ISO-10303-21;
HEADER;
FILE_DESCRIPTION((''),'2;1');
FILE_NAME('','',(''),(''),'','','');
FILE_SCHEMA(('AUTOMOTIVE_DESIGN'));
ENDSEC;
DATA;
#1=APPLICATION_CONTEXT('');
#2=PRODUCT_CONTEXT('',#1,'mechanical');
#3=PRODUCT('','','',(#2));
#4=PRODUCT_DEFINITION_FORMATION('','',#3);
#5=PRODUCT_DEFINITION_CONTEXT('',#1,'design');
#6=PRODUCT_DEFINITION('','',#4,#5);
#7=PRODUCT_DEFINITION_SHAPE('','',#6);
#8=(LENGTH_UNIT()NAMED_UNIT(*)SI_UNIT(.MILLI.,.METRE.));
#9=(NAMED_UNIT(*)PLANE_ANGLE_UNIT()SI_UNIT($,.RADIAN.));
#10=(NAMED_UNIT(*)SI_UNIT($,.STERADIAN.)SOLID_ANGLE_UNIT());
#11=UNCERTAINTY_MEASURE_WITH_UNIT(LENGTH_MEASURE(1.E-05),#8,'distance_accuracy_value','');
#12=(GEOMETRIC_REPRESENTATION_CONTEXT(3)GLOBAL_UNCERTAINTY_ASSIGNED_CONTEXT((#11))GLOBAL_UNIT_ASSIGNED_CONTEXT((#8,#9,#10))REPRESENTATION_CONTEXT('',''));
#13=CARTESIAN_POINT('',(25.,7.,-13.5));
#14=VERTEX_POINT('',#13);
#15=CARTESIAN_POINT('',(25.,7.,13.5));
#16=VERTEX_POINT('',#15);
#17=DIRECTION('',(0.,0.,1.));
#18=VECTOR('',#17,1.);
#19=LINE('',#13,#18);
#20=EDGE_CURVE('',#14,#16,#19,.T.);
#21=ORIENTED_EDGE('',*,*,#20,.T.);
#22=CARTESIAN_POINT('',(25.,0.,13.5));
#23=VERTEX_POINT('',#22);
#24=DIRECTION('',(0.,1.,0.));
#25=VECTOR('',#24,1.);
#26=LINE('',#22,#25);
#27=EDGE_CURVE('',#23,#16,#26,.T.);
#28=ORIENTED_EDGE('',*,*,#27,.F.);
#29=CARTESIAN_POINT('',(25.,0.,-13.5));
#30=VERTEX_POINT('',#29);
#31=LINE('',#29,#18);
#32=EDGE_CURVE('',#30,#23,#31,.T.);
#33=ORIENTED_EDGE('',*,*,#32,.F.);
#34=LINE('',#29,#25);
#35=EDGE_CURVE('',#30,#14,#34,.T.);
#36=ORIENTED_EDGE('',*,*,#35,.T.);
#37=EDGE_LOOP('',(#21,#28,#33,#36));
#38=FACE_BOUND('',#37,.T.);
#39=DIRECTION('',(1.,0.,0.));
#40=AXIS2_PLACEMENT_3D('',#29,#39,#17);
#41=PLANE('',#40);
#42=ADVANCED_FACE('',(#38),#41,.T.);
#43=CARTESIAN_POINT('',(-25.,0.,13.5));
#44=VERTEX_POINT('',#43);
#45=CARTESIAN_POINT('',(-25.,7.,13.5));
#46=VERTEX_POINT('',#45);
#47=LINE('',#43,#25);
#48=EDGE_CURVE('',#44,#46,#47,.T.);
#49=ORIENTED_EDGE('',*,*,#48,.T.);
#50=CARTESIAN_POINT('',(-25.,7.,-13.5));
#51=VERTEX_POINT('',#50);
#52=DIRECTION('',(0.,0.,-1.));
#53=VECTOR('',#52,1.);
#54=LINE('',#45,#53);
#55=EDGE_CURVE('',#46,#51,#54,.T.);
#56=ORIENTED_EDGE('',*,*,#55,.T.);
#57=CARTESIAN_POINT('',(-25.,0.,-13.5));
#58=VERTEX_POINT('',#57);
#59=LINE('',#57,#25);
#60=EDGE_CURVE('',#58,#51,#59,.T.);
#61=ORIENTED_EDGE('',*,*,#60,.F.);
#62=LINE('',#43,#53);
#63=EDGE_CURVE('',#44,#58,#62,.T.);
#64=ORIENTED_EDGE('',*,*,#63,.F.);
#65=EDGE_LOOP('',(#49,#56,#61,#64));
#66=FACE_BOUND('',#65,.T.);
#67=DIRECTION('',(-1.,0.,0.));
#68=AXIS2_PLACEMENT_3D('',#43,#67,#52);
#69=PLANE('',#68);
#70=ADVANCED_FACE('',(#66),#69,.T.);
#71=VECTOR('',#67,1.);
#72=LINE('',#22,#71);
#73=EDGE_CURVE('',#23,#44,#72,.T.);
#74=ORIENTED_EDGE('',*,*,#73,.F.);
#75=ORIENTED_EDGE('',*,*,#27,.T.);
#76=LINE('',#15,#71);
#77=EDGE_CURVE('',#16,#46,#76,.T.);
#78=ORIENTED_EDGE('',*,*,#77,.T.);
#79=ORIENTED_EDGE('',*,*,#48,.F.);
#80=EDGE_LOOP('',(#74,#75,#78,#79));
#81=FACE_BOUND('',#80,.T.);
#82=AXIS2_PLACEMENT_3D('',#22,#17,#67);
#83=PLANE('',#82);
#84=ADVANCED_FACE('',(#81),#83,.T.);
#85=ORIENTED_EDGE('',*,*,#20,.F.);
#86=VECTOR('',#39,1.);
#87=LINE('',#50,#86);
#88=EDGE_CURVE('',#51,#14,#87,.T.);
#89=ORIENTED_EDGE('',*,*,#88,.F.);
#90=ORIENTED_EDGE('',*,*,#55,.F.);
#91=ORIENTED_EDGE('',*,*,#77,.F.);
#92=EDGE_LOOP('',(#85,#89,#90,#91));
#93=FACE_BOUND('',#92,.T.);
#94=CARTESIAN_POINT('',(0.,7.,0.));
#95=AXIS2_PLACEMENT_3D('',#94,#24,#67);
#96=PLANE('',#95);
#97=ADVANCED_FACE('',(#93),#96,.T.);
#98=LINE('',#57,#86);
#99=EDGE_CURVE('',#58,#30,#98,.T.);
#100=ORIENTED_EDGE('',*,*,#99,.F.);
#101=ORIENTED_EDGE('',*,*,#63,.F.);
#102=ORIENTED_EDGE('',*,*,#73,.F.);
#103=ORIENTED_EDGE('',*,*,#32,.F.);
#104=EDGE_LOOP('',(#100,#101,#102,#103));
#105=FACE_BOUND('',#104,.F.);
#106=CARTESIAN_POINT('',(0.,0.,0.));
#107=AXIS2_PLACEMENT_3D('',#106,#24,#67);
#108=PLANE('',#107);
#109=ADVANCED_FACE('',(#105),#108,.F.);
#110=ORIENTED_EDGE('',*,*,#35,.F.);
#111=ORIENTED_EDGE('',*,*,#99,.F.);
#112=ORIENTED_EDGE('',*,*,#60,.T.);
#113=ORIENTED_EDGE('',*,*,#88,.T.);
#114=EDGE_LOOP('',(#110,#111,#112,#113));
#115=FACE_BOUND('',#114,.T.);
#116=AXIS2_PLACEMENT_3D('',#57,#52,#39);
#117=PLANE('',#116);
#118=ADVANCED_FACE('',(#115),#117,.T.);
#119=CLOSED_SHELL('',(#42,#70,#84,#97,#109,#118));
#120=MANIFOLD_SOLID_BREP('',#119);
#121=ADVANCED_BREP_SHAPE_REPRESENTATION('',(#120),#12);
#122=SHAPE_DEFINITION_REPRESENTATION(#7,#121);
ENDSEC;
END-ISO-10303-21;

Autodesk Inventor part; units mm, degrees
ref_plane "YZ Plane" through (0, 0, 0) normal (1, 0, 0) x (0, 1, 0)
ref_plane "XZ Plane" through (0, 0, 0) normal (0, 1, 0) x (-1, 0, 0)
ref_plane "XY Plane" through (0, 0, 0) normal (0, 0, 1) x (1, 0, 0)
sketch "Sketch1" plane through (0, 0, 0) normal (0, 1, 0) x (-1, 0, 0)
  line L0 (-25, 13.5) -> (25, 13.5)
  line L1 (25, 13.5) -> (25, -13.5)
  line L2 (25, -13.5) -> (-25, -13.5)
  line L3 (-25, -13.5) -> (-25, 13.5)
  line L4 (-25, 13.5) -> (25, -13.5) construction
  line L5 (25, 13.5) -> (-25, -13.5) construction
  point P0 (0, 0)
  dimension "d0" = 50
  dimension "d1" = 27
extrude "Extrusion1" add sketch "Sketch1" along normal blind 7
properties part number "ESC"
